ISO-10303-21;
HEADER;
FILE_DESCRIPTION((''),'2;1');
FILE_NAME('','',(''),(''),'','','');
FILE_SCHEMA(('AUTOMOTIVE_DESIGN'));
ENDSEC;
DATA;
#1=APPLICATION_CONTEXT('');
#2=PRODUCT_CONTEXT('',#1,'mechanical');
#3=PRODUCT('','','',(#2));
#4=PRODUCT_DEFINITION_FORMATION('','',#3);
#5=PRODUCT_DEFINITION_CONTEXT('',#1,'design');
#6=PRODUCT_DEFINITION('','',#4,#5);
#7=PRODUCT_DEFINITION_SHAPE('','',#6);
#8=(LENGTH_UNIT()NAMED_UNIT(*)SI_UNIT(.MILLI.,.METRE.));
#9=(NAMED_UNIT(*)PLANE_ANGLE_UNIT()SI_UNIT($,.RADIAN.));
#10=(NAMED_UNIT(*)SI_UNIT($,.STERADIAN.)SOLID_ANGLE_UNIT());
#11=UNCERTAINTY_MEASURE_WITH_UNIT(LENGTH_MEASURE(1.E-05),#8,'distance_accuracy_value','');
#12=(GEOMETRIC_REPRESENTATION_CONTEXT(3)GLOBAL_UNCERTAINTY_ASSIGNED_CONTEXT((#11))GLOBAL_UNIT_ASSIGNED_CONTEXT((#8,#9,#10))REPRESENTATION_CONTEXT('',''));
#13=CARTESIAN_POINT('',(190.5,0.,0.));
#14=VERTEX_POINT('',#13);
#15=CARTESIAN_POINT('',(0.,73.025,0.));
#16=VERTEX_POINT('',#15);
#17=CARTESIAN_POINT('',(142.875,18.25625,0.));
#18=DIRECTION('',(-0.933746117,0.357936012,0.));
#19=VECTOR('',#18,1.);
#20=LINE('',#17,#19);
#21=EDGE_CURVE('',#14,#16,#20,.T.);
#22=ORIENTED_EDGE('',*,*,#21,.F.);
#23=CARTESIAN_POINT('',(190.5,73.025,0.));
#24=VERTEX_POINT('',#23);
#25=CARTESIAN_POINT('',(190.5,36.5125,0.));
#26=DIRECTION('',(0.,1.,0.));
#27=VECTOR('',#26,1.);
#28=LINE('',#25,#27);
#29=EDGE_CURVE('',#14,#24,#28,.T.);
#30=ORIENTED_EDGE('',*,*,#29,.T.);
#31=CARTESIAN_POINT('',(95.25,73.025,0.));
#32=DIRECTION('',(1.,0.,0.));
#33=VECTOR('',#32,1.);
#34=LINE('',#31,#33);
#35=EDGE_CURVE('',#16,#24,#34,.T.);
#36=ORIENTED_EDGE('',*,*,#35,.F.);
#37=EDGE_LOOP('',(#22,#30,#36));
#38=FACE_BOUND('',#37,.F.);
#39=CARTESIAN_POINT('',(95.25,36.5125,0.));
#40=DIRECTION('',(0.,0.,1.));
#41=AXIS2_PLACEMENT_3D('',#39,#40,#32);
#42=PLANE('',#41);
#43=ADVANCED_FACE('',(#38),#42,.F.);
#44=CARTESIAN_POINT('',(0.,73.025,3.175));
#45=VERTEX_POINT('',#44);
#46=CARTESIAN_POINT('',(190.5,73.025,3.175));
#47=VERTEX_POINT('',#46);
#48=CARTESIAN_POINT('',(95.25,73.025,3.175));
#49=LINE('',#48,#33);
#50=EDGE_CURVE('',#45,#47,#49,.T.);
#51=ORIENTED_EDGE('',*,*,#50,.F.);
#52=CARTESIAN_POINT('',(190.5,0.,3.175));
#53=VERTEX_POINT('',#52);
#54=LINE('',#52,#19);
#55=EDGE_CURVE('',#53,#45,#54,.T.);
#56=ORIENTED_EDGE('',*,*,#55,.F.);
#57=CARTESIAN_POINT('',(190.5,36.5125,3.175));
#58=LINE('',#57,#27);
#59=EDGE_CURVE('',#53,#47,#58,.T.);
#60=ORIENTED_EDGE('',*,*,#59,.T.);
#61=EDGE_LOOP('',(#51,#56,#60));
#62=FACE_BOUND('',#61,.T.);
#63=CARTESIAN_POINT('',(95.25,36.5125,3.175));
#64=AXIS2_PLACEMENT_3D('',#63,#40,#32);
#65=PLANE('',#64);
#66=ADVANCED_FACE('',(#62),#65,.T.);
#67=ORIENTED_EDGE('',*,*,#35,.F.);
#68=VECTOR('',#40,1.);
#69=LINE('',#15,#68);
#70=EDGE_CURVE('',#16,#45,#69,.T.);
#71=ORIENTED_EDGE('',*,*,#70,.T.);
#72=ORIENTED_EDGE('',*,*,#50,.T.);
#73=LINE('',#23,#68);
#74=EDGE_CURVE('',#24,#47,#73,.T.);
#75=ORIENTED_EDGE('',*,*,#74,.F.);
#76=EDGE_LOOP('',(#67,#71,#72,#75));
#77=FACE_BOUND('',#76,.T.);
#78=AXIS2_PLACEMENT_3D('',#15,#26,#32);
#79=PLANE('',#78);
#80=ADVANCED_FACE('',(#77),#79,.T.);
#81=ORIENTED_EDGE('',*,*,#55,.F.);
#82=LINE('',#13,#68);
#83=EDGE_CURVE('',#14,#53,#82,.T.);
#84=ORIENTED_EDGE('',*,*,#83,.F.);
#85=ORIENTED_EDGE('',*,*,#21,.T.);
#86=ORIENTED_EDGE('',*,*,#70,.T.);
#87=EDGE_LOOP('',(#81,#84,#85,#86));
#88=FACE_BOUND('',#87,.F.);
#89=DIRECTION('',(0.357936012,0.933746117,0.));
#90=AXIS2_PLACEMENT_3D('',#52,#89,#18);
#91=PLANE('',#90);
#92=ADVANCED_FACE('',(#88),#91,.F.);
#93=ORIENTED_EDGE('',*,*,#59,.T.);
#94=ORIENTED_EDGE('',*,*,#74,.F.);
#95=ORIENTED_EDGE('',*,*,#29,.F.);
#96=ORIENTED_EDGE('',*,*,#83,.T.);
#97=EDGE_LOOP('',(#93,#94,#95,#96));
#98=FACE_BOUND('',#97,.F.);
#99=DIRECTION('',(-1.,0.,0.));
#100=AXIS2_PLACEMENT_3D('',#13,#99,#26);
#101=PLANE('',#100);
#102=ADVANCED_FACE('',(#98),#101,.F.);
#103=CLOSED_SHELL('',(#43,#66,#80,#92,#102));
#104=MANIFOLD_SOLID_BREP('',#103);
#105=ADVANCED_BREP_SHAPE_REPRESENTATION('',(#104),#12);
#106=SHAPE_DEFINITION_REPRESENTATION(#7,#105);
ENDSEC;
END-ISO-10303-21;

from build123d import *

# Parameters (mm, degrees)
F0_W     = 190.5
F0_H     = 73.025
F1_DEPTH = 3.175
F3_DEPTH = 25.4


with BuildPart() as f1:
    # F0 (on Top) → F1 (new body)
    with BuildSketch(Plane.XY):
        with Locations((95.25, 36.5125)):
            Rectangle(F0_W, F0_H)
    extrude(amount=F1_DEPTH)

    # F2 (on face) → F3 (cut)
    with BuildSketch(Plane.XY.offset(3.175)):
        Polygon((190.5, 0), (0, 73.025), (0, 0), align=None)
    extrude(amount=-F3_DEPTH, mode=Mode.SUBTRACT)


solid = f1.part
